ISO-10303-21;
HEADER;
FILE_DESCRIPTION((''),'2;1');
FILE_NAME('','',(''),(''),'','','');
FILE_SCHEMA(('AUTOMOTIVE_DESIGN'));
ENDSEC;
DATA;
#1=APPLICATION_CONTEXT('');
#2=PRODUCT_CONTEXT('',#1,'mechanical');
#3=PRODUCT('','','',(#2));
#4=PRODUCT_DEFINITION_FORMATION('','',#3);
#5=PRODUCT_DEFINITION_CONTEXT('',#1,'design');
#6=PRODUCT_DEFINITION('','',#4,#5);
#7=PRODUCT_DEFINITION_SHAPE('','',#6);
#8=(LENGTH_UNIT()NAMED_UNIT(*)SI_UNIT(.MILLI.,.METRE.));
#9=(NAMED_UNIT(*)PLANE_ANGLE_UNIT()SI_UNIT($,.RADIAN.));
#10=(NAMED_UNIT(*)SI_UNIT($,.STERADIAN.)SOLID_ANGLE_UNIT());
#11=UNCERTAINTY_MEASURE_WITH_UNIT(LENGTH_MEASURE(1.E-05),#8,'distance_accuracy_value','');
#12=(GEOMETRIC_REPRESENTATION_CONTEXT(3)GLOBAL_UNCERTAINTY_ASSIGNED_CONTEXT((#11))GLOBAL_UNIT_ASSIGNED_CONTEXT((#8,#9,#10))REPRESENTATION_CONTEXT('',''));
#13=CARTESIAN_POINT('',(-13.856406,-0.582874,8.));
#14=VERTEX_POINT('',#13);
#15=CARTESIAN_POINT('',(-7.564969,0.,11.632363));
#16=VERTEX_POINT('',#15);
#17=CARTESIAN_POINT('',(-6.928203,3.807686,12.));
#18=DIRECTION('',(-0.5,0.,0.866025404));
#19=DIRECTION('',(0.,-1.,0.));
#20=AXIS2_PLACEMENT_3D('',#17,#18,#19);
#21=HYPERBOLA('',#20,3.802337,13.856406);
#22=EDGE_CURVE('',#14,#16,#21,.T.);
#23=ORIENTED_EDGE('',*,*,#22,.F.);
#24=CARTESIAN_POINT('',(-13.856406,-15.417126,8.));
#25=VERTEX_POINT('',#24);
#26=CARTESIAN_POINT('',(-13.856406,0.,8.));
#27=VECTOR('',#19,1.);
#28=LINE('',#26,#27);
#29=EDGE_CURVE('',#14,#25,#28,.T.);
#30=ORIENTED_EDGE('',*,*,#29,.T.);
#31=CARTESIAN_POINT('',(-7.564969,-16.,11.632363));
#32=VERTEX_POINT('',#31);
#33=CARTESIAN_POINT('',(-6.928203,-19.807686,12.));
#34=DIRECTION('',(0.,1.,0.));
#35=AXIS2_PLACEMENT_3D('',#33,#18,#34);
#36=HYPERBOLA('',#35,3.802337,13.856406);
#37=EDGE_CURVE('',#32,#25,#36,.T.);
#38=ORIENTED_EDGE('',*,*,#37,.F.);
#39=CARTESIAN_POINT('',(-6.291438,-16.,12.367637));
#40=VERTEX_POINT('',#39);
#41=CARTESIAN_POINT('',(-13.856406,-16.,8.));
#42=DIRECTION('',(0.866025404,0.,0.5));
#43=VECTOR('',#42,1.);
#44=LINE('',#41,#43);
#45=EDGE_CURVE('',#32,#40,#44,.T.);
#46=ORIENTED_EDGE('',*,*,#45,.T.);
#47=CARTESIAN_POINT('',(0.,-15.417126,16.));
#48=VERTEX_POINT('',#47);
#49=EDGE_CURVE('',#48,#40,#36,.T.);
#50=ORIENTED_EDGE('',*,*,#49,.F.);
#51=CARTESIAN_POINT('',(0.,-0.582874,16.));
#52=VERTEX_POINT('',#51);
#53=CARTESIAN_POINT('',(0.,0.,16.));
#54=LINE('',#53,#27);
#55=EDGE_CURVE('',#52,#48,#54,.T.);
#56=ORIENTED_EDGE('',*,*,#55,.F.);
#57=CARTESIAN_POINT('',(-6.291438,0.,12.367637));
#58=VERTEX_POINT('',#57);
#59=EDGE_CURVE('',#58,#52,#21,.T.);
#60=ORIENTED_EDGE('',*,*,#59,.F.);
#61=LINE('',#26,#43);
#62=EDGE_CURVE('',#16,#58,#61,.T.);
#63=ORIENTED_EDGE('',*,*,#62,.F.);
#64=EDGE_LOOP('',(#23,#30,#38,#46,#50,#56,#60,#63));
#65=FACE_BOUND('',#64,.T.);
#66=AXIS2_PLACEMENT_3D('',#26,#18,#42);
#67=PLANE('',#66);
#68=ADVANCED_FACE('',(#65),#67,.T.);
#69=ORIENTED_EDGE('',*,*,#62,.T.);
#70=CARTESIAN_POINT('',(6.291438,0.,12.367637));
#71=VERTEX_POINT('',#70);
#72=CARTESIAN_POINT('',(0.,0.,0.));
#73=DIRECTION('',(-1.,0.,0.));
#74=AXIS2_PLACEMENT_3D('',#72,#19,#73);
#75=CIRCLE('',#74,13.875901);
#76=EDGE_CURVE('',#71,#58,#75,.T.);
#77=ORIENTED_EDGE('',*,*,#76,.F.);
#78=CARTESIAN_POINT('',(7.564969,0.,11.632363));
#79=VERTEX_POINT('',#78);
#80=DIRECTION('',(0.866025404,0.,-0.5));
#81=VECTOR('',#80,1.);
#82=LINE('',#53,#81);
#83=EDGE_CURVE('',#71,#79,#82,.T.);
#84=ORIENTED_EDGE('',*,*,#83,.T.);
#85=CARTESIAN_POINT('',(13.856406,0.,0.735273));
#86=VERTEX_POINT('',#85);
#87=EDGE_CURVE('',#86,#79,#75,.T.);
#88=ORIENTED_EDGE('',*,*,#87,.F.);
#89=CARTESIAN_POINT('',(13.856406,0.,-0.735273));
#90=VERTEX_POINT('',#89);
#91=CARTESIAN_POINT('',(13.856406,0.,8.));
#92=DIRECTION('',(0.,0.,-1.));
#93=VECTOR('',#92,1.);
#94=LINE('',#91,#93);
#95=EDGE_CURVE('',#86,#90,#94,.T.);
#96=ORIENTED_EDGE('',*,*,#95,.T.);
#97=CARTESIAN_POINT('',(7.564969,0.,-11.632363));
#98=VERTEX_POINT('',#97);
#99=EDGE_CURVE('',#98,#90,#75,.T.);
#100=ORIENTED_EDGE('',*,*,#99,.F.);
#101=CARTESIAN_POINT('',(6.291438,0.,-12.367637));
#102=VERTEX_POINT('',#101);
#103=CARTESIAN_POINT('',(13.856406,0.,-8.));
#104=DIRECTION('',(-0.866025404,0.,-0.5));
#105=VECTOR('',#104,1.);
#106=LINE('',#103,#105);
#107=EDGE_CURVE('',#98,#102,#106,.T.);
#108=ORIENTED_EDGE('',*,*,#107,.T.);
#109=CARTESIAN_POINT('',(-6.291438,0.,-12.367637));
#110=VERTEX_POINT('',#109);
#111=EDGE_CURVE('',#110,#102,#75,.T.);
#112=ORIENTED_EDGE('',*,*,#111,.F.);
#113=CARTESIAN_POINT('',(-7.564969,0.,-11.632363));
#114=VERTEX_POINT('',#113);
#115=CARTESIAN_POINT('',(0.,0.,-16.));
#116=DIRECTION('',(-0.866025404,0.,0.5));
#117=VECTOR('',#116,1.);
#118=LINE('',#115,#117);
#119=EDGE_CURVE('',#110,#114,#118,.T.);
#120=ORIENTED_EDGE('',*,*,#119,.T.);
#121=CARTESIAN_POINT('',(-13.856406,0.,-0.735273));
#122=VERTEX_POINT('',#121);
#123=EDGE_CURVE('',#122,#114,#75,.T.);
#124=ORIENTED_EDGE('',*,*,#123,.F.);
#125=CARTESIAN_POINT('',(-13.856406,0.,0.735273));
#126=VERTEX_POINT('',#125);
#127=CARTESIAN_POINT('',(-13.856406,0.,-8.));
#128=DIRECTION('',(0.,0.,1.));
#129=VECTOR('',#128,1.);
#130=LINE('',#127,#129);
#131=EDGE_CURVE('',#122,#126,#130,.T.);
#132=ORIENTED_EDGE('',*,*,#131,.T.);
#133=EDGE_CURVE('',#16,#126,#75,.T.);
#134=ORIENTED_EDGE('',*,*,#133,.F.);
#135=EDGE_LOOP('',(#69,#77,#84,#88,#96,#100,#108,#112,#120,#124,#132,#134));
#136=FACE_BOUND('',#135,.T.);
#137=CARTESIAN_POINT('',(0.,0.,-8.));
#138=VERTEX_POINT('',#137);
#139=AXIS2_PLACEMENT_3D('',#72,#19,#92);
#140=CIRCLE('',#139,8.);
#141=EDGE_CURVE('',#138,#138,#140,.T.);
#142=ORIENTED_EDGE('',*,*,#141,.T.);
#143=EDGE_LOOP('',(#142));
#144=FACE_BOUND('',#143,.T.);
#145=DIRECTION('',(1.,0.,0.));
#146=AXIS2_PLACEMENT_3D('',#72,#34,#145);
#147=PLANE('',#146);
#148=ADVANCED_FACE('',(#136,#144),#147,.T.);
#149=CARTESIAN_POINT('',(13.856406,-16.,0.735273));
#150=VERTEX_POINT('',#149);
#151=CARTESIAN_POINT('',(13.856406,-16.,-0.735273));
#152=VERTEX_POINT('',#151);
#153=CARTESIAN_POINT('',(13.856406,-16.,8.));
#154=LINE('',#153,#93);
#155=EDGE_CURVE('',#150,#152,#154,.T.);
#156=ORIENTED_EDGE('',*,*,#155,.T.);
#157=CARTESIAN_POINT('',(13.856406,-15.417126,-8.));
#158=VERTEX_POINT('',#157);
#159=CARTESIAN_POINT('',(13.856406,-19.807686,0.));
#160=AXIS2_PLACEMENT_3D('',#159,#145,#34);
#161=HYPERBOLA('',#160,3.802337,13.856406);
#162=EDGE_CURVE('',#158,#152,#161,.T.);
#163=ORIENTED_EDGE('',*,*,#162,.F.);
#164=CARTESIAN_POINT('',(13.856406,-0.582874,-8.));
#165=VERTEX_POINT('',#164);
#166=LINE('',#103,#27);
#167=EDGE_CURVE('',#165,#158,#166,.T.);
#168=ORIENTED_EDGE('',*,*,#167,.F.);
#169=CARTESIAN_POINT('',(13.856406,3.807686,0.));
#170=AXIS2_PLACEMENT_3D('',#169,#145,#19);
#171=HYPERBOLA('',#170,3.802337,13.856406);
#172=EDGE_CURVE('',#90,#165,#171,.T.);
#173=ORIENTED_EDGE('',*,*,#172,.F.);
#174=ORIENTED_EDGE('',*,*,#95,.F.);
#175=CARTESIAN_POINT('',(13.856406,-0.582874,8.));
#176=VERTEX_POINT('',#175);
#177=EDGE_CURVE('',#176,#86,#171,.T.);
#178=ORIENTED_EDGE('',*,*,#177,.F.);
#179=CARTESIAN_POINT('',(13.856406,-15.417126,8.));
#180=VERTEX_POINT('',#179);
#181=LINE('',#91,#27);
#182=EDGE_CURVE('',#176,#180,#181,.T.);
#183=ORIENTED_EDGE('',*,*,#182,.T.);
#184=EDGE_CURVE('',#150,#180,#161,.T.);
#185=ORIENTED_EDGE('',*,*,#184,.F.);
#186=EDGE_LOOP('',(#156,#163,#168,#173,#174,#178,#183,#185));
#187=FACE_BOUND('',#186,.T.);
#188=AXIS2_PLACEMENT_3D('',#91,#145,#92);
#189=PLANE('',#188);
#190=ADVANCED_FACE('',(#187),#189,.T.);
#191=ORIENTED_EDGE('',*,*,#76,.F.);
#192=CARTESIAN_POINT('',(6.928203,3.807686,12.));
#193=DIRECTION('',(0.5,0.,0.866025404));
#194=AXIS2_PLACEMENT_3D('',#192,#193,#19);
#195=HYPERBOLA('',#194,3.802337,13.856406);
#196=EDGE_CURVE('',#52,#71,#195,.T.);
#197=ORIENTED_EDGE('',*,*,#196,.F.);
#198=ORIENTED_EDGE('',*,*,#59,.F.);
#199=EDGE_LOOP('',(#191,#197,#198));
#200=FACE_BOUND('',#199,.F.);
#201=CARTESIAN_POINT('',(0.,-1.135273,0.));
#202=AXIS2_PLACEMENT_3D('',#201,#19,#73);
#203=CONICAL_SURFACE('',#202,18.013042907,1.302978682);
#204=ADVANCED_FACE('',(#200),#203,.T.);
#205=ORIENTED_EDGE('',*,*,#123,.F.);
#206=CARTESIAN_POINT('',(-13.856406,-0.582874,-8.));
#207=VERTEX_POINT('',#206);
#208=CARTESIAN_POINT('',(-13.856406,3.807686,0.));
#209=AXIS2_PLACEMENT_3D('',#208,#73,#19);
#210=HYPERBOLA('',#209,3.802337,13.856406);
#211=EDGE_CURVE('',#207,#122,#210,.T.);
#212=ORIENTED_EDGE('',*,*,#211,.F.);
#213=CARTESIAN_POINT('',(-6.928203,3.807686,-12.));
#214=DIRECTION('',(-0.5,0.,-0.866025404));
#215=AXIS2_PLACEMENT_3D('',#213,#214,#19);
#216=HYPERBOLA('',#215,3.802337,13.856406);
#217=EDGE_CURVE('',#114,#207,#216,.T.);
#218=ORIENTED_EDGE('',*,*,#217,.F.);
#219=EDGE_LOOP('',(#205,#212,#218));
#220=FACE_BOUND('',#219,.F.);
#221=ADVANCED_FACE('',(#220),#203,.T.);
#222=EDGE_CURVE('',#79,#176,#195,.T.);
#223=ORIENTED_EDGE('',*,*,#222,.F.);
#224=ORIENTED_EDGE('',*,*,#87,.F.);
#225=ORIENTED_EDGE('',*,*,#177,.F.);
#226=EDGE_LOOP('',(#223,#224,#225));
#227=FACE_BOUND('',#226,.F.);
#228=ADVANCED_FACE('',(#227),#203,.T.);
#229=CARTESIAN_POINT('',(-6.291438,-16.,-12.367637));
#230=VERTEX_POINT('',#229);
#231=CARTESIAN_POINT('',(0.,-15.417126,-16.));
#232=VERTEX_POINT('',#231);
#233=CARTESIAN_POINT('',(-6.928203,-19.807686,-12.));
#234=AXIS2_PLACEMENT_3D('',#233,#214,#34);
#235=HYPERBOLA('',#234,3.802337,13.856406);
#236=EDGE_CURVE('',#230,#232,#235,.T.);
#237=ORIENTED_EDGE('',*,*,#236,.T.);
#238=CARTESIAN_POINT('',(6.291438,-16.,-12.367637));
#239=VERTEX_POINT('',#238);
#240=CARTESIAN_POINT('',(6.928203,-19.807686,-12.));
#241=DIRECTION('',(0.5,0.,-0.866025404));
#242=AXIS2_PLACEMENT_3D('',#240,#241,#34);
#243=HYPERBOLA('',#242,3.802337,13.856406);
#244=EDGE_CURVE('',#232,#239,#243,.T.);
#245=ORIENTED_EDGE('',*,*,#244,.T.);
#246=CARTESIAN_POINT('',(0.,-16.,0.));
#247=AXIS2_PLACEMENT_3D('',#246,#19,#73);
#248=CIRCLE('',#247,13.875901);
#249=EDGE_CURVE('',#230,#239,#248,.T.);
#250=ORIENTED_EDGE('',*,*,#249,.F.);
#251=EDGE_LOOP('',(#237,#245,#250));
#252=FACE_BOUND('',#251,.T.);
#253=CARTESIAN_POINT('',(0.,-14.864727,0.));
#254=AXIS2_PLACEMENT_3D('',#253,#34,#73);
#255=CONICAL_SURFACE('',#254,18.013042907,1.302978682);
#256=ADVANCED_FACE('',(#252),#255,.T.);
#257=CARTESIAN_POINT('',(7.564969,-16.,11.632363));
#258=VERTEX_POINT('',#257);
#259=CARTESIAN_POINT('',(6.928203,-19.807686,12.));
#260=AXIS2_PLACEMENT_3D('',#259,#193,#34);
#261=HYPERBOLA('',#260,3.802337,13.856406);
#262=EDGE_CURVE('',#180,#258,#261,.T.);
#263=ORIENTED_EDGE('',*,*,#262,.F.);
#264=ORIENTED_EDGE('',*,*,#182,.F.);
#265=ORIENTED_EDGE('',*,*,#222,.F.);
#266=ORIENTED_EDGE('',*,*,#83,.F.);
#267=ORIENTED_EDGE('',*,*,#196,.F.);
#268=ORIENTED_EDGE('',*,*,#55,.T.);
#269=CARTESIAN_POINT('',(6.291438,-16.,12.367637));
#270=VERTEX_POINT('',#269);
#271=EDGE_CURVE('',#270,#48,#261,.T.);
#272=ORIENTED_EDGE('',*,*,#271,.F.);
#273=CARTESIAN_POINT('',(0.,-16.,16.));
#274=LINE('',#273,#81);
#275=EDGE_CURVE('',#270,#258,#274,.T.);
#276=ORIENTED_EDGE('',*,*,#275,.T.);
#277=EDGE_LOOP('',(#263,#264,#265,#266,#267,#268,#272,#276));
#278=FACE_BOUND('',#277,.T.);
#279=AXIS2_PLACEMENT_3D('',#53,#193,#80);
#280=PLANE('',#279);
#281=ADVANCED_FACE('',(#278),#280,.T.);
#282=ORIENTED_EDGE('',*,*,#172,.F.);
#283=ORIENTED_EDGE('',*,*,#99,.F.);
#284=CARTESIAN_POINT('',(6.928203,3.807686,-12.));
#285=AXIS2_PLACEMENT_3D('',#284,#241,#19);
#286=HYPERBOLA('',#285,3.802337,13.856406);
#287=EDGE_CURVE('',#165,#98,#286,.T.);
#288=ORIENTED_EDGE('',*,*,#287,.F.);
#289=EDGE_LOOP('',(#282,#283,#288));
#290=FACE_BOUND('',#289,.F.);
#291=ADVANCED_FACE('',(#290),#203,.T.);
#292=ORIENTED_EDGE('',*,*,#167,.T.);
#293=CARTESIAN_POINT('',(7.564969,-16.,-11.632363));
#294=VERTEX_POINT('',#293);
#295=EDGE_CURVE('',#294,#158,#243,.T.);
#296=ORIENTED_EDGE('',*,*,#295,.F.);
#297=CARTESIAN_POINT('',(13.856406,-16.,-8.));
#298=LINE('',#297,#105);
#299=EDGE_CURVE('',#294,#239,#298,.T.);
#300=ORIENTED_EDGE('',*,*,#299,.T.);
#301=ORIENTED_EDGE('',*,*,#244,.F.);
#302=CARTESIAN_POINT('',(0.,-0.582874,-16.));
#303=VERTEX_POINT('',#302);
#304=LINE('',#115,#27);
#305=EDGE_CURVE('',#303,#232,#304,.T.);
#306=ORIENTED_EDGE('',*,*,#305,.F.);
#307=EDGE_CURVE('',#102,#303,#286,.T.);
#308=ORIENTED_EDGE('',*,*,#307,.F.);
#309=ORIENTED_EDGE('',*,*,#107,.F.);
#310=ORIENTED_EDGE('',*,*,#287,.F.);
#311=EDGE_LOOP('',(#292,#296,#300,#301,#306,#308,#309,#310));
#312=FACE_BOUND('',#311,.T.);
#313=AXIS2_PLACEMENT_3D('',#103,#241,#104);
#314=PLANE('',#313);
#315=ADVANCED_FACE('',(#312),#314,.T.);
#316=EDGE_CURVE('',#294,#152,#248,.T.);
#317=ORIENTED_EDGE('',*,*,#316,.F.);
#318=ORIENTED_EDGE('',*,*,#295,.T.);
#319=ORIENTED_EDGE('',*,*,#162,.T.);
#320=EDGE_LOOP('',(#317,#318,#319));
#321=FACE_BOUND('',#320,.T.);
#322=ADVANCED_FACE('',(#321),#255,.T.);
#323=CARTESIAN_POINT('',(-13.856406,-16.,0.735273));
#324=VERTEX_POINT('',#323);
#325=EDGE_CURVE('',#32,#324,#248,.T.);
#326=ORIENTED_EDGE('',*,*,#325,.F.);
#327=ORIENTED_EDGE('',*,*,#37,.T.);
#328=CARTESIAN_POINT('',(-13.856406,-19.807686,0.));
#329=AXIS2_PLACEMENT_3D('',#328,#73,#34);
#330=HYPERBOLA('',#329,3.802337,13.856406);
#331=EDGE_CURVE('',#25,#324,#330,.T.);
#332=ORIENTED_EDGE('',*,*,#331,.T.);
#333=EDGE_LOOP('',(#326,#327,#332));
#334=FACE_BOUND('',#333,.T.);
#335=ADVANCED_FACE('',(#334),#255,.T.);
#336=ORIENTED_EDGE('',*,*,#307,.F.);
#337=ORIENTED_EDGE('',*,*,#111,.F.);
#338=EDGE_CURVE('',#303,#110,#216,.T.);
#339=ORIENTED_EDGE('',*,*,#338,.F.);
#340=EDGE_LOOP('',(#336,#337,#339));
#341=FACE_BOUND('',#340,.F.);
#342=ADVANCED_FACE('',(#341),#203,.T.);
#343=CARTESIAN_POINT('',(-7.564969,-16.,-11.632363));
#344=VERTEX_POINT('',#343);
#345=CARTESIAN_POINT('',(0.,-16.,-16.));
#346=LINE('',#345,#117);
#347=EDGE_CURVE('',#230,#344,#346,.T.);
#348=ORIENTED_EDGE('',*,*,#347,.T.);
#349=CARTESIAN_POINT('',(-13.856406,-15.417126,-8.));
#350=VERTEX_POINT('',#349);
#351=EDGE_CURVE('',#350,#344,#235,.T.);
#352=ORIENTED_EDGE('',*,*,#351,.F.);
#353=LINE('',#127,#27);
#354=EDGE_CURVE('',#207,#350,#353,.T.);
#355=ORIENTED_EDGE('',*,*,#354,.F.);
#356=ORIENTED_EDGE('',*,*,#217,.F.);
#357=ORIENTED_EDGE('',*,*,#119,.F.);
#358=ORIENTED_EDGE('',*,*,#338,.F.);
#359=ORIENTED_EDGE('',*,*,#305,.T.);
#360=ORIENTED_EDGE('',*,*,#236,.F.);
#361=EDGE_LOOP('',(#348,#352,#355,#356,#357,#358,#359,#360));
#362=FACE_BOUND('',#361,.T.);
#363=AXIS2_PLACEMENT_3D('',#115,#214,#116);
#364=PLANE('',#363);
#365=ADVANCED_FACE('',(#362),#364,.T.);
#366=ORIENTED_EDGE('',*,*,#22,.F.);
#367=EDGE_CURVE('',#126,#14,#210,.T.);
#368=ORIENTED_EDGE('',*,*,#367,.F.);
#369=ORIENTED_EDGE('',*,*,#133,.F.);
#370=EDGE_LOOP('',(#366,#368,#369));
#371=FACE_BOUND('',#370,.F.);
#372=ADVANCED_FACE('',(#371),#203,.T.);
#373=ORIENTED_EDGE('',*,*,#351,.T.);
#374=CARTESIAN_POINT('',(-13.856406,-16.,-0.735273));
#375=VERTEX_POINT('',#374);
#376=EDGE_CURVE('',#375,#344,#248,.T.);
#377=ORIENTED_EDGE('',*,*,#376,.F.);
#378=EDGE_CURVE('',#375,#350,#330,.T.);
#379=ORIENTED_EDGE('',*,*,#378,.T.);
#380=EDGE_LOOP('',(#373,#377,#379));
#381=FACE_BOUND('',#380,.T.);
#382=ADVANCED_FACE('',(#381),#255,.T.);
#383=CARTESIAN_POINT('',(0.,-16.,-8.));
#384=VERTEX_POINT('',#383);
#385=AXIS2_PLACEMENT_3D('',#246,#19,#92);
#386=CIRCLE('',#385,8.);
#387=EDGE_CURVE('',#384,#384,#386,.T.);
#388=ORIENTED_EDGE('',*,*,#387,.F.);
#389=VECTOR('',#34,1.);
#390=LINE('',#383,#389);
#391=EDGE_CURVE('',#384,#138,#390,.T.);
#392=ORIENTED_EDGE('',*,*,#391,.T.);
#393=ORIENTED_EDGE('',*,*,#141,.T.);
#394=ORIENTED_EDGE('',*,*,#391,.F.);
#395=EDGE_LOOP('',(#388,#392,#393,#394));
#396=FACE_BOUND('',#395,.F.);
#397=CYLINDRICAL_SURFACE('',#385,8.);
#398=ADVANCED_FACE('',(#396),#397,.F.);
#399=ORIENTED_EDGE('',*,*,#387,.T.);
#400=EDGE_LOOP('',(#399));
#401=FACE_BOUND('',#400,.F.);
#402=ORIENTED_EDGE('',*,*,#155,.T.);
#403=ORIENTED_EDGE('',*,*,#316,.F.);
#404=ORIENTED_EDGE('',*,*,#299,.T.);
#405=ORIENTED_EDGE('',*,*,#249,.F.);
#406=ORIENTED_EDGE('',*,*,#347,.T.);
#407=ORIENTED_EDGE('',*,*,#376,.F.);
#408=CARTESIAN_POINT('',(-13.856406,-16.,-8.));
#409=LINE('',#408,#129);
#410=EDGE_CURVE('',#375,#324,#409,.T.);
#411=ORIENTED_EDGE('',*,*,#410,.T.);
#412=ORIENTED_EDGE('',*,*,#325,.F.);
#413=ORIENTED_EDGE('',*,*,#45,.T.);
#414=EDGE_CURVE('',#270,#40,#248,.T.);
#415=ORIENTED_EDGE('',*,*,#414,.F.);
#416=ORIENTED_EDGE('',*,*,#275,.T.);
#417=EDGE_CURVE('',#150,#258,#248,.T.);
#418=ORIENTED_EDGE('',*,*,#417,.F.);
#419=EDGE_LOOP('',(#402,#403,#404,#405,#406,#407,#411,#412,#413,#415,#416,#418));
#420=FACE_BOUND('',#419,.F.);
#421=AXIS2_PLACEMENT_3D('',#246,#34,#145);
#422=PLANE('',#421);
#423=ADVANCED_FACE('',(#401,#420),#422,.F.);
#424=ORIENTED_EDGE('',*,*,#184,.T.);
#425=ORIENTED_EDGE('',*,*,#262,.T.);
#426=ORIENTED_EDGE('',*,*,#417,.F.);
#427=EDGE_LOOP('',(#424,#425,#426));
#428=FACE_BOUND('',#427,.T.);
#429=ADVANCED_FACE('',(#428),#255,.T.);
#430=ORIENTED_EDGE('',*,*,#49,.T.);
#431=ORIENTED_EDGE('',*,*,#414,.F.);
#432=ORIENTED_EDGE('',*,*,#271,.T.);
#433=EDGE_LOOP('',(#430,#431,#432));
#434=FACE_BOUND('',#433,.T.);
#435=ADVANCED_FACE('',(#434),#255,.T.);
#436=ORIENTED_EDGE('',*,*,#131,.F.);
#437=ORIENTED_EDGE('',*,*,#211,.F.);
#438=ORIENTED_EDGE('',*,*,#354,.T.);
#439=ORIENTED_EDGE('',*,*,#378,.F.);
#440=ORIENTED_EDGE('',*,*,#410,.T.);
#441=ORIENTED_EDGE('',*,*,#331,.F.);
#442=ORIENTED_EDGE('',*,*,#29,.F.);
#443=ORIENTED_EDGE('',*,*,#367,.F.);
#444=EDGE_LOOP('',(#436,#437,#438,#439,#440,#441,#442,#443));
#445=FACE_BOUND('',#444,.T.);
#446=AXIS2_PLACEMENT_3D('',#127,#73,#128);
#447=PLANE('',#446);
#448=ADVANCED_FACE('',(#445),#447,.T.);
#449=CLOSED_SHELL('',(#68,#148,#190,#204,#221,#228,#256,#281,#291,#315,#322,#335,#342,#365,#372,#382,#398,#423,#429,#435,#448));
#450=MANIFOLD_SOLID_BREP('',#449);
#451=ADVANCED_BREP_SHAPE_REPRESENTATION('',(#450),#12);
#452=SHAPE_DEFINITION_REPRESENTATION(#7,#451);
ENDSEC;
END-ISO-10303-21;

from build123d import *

# Parameters (mm, degrees)
BOSS_EXTRUDE2_DEPTH = 16
SKETCH9_R           = 8
CUT_EXTRUDE3_DEPTH  = 64


with BuildPart() as part:
    # Sketch4 → Boss-Extrude2 (new body)
    with BuildSketch(Plane(origin=(0, 0, 0), x_dir=(1, 0, 0), z_dir=(0, 1, 0))):
        Polygon((0, -16), (13.856406461, -8), (13.856406461, 8), (0, 16), (-13.856406461, 8), (-13.856406461, -8), align=None)
    extrude(amount=-BOSS_EXTRUDE2_DEPTH)

    # Sketch5 → Cut-Revolve2 (revolve, cut)
    with BuildSketch(Plane.XY):
        Polygon((-13.875900938, 0), (-18.013042907, 0), (-18.013042907, -1.135273282), align=None)
    cut_revolve2 = revolve(axis=Axis((0, 7.032369226, 0), (0, -1, 0)), mode=Mode.SUBTRACT)

    # Sketch9 → Cut-Extrude3 (cut)
    with BuildSketch(Plane.XZ.offset(16)):
        with Locations(Location((0, 0, 0), (0, 0, 270))):
            Circle(SKETCH9_R)
    extrude(amount=-CUT_EXTRUDE3_DEPTH, mode=Mode.SUBTRACT)

    # Mirror1: Cut-Revolve2 across plane
    add(cut_revolve2.mirror(Plane.ZX.offset(-8)), mode=Mode.SUBTRACT)


solid = part.part
